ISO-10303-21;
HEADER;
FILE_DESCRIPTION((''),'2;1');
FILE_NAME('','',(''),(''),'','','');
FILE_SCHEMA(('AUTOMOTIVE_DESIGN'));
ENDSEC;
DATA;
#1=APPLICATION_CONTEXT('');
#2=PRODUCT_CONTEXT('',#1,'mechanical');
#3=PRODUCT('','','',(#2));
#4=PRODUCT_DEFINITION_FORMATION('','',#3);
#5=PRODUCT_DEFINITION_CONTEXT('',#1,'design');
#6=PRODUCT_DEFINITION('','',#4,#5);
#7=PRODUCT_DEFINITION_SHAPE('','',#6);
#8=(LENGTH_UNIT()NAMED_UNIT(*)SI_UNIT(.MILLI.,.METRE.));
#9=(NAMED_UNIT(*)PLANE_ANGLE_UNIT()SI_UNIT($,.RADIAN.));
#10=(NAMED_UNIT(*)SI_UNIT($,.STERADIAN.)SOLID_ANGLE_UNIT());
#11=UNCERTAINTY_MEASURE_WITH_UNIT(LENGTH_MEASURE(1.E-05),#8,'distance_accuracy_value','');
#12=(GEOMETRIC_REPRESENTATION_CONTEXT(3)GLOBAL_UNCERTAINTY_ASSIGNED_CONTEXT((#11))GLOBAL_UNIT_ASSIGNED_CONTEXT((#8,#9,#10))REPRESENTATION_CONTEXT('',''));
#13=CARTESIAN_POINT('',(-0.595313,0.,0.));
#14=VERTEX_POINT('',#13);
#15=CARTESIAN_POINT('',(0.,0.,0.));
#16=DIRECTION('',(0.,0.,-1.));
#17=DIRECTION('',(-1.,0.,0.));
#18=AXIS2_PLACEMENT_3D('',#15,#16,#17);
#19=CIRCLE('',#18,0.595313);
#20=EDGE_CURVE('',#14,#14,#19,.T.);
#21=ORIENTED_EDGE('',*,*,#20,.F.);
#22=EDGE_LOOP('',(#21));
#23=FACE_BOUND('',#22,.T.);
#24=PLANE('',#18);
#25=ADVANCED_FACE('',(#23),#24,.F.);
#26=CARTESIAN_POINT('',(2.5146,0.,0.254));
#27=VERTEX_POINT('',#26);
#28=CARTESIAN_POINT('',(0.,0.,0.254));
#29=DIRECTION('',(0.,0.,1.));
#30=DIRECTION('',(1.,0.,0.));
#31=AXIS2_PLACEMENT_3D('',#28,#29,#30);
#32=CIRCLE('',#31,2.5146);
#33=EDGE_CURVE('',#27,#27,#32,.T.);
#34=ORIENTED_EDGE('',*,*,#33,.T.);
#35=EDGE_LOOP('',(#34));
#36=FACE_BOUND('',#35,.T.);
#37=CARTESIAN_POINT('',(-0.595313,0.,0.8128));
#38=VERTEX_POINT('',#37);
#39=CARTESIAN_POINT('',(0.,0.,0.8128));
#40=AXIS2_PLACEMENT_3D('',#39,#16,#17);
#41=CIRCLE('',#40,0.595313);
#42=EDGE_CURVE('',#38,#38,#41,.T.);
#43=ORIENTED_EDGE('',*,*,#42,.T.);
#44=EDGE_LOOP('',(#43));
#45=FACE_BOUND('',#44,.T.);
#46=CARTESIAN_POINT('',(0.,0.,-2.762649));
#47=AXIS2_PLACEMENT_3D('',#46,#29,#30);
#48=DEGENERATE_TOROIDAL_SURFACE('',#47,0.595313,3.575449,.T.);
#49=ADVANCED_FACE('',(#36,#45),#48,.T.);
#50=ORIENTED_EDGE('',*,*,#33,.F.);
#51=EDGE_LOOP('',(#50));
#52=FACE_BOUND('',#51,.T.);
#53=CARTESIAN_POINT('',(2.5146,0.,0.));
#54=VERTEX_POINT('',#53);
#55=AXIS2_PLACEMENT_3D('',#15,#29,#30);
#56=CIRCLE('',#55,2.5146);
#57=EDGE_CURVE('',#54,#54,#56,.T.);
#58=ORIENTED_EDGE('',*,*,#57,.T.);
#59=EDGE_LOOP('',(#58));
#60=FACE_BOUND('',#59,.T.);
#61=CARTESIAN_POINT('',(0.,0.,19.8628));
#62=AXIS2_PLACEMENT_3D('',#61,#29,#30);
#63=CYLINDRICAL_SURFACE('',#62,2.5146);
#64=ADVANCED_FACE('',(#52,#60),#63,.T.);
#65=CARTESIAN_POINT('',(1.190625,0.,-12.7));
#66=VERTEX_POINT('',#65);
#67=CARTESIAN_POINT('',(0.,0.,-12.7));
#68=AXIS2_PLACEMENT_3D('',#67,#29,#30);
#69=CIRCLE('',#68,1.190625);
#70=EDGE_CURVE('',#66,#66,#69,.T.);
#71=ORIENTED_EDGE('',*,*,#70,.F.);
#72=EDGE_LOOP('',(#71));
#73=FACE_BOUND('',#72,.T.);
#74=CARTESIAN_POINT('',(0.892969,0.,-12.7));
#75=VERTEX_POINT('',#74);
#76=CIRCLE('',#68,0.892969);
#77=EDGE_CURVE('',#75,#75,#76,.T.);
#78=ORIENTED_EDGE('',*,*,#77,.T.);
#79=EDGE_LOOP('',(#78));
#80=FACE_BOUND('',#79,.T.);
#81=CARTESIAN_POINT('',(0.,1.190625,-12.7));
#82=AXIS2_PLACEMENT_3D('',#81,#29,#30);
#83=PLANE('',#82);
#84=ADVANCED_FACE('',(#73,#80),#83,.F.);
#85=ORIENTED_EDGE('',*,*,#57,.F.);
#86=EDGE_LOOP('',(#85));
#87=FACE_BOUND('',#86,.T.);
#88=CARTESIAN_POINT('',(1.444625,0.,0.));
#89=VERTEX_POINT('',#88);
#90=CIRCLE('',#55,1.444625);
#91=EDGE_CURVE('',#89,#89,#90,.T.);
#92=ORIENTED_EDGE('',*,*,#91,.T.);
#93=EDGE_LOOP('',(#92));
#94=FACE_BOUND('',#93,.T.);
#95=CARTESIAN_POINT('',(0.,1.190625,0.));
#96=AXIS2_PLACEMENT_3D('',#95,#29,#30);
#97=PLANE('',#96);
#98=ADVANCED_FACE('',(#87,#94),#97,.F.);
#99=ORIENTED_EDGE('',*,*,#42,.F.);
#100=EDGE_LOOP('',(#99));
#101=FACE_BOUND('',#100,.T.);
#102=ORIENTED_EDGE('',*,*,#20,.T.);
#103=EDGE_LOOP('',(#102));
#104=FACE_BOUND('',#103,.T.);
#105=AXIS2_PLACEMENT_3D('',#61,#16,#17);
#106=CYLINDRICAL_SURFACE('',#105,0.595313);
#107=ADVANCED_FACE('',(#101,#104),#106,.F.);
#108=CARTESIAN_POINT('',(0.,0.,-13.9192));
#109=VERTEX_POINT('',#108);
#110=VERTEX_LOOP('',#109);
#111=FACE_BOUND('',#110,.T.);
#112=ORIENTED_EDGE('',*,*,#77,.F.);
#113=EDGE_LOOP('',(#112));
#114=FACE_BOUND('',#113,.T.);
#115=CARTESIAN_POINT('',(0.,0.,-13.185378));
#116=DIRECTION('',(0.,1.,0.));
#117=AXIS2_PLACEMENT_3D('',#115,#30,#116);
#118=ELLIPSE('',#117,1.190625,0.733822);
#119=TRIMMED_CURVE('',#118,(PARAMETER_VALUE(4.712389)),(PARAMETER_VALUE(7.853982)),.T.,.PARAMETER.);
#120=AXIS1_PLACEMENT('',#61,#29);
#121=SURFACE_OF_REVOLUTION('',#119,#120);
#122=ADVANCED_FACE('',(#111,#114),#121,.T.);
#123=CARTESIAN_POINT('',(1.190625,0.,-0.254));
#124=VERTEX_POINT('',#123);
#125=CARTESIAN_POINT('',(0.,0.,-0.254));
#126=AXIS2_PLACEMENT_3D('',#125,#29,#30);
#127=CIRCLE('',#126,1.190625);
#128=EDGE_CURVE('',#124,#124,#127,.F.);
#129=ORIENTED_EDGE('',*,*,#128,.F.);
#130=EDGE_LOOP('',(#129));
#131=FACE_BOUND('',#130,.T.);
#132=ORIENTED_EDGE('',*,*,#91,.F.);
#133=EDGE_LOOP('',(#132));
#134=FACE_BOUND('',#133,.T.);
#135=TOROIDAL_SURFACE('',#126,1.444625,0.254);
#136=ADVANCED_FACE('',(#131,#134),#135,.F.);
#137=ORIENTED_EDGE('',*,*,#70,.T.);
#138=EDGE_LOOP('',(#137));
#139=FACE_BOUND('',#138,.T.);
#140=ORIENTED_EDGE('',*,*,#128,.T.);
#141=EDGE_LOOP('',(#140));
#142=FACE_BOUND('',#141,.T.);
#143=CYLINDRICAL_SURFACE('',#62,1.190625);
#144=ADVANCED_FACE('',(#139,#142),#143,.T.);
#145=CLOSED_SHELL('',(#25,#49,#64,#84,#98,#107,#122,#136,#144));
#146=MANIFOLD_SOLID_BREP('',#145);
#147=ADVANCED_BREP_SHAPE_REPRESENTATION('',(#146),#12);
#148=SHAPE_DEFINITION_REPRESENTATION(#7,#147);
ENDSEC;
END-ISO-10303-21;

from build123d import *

# Parameters (mm, degrees)
CUT_EXTRUDE1_DEPTH      = 21.178633531
CUT_EXTRUDE1_DEPTH_BACK = 21.178633531
CUT_EXTRUDE2_DEPTH      = 21.178633531
CUT_EXTRUDE2_DEPTH_BACK = 21.178633531
FILLET2_R               = 0.254
SKETCH7_R               = 0.5953125
CUT_EXTRUDE3_DEPTH      = 21.178633531


with BuildPart() as part:
    # Sketch2 → Revolve1 (revolve)
    with BuildSketch(Plane(origin=(0, 0, 0), x_dir=(0, 0, -1), z_dir=(1, 0, 0)), mode=Mode.PRIVATE) as revolve1_sk:
        with BuildLine():
            Line((-19.8628, 0), (-19.8628, 0.5953125))
            Line((-19.8628, 0.5953125), (-0.8128, 0.5953125))
            ThreePointArc((-0.8128, 0.5953125), (-0.670258675, 1.594802613), (-0.254, 2.5146))
            Line((-0.254, 2.5146), (0, 2.5146))
            Line((0, 2.5146), (0, 1.190625))
            Line((0, 1.190625), (12.7, 1.190625))
            Line((12.7, 1.190625), (12.7, 0.89296875))
            add(Edge.make_bspline(
                [(13.9192, 0), (13.9192, 2.637532552), (12.7, 0.89296875)],
                knots=[4.71238898, 4.71238898, 4.71238898, 7.005919555, 7.005919555, 7.005919555], degree=2, weights=[1, 0.411437828, 1]))
            Line((13.9192, 0), (12.7, 0))
            Line((12.7, 0), (-19.8628, 0))
        make_face()
    revolve(revolve1_sk.sketch.rotate(Axis((0, 0, 19.8628), (0, 0, -1)), 90), axis=Axis((0, 0, 19.8628), (0, 0, -1)))

    # Sketch3 → Cut-Extrude1 (cut, two sides: drawn at the far end of the back side and taken through both)
    with BuildSketch(Plane(origin=(0, 0, 0), x_dir=(1, 0, 0), z_dir=(0, 1, 0)).offset(-CUT_EXTRUDE1_DEPTH_BACK)):
        Polygon((0, -19.8628), (0.7985125, -18.822158249), (0.7985125, -20.3708), (-0.7985125, -20.3708), (-0.7985125, -18.822158249), align=None)
    extrude(amount=CUT_EXTRUDE1_DEPTH + CUT_EXTRUDE1_DEPTH_BACK, mode=Mode.SUBTRACT)

    # Sketch4 → Cut-Extrude2 (cut, two sides: drawn at the far end of the back side and taken through both)
    with BuildSketch(Plane(origin=(0, 0, 0), x_dir=(0, 0, -1), z_dir=(1, 0, 0)).offset(-CUT_EXTRUDE2_DEPTH_BACK)):
        Polygon((-20.1168, 0), (-19.0134875, 1.1033125), (-20.3708, 1.1033125), (-20.3708, -1.1033125), (-19.0134875, -1.1033125), align=None)
    extrude(amount=CUT_EXTRUDE2_DEPTH + CUT_EXTRUDE2_DEPTH_BACK, mode=Mode.SUBTRACT)

    # Fillet2
    fillet2_edges = [part.edges().sort_by_distance(p)[0] for p in [
        (-1.190625, 0, 0),
    ]]
    fillet(fillet2_edges, radius=FILLET2_R)

    # Sketch7 → Cut-Extrude3 (cut, through all)
    with BuildSketch(Plane(origin=(0, 0, 0), x_dir=(-1, 0, 0), z_dir=(0, 0, -1))):
        Circle(SKETCH7_R)
    extrude(amount=-CUT_EXTRUDE3_DEPTH, mode=Mode.SUBTRACT)


solid = part.part
